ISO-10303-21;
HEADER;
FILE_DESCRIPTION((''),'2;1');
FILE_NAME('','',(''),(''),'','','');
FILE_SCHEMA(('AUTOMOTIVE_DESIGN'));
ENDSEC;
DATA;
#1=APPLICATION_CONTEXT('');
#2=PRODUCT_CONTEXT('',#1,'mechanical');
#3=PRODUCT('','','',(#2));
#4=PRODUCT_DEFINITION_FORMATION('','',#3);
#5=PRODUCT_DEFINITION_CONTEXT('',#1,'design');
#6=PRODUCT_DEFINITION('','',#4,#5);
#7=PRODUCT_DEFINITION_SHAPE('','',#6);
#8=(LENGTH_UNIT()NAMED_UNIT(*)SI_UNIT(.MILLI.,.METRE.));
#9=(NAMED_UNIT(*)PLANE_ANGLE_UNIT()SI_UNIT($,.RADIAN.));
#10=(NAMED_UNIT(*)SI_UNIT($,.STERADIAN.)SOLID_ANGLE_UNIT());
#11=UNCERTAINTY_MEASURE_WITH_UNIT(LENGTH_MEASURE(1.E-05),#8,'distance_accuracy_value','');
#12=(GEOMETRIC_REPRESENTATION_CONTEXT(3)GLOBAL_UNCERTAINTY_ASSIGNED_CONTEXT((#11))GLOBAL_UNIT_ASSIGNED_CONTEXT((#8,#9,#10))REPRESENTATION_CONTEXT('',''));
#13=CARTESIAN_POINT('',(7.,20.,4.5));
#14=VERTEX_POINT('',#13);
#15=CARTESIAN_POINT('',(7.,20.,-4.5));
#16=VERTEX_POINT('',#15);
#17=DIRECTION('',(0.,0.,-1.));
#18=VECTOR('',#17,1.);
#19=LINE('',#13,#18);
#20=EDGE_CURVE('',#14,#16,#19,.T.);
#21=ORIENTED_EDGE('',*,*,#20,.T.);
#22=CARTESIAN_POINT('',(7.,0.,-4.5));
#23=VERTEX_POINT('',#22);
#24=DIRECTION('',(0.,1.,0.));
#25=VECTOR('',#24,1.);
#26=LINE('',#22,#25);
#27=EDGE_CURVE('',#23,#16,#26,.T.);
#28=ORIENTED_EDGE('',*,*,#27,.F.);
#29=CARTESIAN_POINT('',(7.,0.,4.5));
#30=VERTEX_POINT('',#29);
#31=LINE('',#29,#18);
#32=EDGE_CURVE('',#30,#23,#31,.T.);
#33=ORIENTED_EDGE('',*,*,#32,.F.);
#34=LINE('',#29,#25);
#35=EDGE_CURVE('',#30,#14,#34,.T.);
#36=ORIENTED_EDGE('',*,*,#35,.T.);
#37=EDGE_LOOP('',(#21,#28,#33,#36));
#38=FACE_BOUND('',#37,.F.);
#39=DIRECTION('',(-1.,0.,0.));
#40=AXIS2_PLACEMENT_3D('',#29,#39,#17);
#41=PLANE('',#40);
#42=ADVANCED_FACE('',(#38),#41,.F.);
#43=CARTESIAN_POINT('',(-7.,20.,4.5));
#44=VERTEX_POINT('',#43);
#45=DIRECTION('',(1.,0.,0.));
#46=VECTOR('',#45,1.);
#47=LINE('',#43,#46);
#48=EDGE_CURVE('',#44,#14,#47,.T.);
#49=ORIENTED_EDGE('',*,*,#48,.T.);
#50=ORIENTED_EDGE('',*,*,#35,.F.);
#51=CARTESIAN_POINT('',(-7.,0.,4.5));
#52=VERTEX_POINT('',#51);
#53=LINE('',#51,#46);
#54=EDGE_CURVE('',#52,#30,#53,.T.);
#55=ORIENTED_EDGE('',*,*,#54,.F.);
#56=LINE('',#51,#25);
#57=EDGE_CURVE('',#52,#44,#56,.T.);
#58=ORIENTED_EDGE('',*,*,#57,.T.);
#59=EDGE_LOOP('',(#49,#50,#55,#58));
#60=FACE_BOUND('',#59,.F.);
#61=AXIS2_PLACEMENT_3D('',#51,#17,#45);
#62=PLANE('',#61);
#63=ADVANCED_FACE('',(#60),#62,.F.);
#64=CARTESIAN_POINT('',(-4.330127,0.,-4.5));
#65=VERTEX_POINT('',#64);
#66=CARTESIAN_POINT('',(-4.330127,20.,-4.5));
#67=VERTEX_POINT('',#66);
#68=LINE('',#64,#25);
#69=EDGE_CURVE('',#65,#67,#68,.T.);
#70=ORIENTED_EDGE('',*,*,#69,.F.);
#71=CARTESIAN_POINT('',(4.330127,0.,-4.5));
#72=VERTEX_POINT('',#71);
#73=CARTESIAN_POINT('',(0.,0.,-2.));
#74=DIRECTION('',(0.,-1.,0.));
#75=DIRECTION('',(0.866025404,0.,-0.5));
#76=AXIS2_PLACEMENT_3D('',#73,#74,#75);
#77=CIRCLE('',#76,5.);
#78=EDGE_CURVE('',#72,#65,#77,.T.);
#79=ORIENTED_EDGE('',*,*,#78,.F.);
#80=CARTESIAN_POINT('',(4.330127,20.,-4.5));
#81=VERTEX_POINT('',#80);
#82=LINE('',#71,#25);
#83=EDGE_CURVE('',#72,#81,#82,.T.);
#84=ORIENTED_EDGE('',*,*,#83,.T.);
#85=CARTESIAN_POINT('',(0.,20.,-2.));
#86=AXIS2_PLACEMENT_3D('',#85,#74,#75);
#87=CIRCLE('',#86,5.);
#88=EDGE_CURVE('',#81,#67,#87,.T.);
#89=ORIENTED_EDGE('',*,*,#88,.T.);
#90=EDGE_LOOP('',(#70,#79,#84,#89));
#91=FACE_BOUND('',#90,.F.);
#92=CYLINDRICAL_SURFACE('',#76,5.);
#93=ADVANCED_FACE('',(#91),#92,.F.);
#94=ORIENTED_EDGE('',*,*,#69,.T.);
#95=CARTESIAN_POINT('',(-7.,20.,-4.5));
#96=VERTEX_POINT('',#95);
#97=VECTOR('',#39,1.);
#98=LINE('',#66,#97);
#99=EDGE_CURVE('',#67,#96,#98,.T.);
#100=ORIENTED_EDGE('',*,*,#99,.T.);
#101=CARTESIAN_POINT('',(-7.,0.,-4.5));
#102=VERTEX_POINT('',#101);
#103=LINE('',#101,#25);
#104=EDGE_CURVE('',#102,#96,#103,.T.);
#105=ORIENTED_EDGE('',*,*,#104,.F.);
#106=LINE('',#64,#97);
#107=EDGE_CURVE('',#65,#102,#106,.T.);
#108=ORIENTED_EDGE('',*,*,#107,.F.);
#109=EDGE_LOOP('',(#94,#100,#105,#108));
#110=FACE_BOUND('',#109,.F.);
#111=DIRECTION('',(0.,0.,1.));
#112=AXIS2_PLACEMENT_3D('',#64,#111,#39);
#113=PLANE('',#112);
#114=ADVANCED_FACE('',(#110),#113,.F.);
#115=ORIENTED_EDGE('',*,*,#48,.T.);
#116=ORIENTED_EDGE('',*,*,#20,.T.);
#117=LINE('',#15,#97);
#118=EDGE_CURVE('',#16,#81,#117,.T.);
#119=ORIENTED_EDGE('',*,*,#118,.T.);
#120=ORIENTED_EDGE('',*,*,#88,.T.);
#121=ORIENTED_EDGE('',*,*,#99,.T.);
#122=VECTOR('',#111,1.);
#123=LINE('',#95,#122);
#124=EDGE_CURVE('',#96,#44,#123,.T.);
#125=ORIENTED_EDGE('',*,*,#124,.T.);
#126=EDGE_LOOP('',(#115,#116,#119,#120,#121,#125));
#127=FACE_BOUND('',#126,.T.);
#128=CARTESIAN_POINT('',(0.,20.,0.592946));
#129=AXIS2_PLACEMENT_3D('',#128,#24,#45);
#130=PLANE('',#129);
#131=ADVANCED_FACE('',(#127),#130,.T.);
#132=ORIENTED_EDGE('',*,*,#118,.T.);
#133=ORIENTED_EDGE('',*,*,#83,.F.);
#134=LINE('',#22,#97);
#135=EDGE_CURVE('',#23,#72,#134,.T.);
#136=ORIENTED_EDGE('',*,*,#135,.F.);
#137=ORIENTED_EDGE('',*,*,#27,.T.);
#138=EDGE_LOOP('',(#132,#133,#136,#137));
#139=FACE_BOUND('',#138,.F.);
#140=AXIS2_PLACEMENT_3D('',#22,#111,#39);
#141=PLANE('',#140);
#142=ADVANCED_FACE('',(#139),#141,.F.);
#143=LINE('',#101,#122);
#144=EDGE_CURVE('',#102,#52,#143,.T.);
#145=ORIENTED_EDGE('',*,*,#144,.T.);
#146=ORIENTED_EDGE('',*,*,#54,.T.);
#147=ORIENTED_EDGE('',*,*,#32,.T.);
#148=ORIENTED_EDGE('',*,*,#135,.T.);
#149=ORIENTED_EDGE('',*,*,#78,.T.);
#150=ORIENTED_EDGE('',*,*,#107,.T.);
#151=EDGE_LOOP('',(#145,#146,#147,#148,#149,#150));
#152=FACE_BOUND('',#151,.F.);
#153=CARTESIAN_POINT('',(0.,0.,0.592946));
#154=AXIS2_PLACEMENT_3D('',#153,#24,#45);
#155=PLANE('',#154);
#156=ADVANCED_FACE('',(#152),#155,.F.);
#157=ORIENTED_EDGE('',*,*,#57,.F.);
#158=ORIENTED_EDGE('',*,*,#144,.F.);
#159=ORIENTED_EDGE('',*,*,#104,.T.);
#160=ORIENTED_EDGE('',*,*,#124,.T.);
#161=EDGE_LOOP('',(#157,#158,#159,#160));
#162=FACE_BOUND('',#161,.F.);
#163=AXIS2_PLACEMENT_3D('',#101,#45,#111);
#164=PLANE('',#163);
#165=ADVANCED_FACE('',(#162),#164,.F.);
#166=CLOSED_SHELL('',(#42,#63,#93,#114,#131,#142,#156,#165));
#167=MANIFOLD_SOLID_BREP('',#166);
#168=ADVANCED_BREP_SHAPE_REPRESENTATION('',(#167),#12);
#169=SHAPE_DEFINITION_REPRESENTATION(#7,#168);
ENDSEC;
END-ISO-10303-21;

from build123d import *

# Parameters (mm, degrees)
BOSS_EXTRUDE1_DEPTH = 20


with BuildPart() as part:
    # Sketch1 → Boss-Extrude1 (new body)
    with BuildSketch(Plane(origin=(0, 0, 0), x_dir=(1, 0, 0), z_dir=(0, 1, 0))):
        with BuildLine():
            Line((-4.330127019, 4.5), (-7, 4.5))
            Line((-7, 4.5), (-7, -4.5))
            Line((-7, -4.5), (7, -4.5))
            Line((7, -4.5), (7, 4.5))
            Line((7, 4.5), (4.330127019, 4.5))
            ThreePointArc((4.330127019, 4.5), (0, -3), (-4.330127019, 4.5))
        make_face()
    extrude(amount=BOSS_EXTRUDE1_DEPTH)


solid = part.part
